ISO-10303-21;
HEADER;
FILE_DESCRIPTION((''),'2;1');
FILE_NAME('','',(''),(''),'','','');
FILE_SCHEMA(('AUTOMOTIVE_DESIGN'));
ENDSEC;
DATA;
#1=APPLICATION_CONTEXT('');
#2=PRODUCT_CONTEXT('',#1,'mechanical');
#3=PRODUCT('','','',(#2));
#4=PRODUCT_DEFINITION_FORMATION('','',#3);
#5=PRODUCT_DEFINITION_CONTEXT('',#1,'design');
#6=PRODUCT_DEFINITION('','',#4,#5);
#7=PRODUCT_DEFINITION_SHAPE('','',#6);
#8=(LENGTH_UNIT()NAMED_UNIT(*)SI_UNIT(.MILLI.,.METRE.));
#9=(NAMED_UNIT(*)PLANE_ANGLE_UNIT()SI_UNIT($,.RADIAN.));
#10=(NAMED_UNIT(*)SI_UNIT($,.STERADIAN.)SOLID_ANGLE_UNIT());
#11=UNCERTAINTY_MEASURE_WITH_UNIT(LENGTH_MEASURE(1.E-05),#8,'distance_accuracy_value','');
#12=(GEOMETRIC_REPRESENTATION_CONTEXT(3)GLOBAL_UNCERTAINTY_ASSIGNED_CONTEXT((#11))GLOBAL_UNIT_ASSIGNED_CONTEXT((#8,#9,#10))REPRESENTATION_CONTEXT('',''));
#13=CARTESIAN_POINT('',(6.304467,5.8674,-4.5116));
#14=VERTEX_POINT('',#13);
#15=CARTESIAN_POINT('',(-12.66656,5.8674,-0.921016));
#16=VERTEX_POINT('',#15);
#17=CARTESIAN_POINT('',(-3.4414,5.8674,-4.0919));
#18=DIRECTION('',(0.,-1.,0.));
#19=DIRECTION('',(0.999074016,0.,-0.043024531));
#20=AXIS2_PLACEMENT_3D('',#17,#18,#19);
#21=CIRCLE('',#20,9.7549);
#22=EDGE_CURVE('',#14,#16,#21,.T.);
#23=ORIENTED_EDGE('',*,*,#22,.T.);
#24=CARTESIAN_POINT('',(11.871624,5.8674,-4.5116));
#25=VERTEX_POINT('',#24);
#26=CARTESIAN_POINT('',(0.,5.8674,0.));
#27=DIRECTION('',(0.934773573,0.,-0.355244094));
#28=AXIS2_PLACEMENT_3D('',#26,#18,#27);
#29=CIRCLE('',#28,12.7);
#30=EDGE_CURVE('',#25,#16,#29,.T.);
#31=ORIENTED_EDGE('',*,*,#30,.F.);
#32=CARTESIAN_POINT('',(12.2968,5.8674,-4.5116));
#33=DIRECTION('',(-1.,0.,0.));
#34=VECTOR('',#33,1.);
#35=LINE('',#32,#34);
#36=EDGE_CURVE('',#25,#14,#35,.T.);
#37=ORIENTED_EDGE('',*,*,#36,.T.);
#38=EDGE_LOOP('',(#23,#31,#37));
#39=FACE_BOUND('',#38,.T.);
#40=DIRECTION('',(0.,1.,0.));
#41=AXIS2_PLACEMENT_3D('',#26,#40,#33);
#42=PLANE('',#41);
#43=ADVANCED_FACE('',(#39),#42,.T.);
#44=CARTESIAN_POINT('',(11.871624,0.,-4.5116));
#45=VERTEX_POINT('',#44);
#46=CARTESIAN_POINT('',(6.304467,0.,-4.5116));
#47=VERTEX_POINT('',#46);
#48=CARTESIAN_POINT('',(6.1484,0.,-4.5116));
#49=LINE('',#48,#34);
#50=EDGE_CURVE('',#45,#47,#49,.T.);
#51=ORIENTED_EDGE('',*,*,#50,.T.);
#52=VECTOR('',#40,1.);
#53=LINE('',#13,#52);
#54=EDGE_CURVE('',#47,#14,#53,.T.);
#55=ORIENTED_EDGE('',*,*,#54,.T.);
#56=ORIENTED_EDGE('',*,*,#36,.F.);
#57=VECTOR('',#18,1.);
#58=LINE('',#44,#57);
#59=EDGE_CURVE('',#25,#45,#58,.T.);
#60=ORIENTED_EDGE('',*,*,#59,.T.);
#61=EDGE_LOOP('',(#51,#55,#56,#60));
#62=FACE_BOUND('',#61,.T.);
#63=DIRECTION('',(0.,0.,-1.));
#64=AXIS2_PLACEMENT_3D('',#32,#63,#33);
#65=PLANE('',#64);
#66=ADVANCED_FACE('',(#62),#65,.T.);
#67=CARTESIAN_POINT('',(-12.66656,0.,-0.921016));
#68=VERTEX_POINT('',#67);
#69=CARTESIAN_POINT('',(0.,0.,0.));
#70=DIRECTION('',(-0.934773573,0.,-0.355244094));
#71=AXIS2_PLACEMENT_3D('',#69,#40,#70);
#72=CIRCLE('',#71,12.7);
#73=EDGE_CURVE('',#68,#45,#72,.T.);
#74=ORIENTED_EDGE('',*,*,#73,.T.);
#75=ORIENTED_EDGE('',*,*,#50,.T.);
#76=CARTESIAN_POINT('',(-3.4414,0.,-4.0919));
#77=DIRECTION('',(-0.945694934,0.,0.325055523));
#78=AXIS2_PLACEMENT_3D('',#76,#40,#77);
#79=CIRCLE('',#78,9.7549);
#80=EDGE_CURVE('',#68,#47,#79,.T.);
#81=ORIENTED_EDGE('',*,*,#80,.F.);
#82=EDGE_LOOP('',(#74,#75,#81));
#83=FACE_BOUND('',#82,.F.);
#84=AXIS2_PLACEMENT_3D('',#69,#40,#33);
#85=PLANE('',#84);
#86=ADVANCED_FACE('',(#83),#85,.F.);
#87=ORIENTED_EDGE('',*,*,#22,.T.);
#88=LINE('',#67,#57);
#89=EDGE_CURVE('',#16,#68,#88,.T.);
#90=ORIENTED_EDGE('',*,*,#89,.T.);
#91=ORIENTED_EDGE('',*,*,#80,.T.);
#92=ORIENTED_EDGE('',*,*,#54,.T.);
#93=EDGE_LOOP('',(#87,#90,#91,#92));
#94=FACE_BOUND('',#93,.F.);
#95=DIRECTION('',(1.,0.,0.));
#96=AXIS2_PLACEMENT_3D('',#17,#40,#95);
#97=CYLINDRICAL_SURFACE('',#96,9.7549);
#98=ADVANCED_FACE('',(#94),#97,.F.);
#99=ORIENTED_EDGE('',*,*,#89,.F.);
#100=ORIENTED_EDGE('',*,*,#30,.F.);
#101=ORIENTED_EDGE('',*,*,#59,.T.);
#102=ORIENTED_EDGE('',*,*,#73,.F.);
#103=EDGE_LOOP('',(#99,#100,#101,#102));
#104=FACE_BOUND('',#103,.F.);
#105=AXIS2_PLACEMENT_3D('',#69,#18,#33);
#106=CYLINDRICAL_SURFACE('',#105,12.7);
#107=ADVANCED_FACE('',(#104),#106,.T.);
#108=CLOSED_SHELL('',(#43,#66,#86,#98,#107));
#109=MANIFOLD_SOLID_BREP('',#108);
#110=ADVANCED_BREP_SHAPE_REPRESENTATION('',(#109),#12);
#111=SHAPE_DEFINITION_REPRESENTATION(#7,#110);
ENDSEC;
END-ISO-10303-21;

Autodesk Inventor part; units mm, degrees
ref_plane "YZ Plane" through (0, 0, 0) normal (1, 0, 0) x (0, 1, 0)
ref_plane "XZ Plane" through (0, 0, 0) normal (0, 1, 0) x (-1, 0, 0)
ref_plane "XY Plane" through (0, 0, 0) normal (0, 0, 1) x (1, 0, 0)
sketch "Sketch1" plane through (0, 0, 0) normal (0, 1, 0) x (-1, 0, 0)
  circle A0 centre (0, 0) radius 12.7
  dimension "d0" = 25.4
extrude "Extrusion1" add sketch "Sketch1" along normal blind 5.8674
sketch "Sketch2" plane through (0, 5.8674, 0) normal (0, 1, 0) x (1, 0, 0)
  line L0 (0, 0) -> (-7.7692, 0)
  line L1 (-7.7692, 0) -> (-7.7692, 6.975)
  line L2 (-7.7692, 6.975) -> (0, 6.975)
  line L3 (0, 6.975) -> (0, 0)
extrude "Extrusion2" cut sketch "Sketch2" against normal blind 254
sketch "Sketch3" plane through (0, 5.8674, 0) normal (0, 1, 0) x (1, 0, 0)
  line L0 (0, 6.018) -> (5.0945, 6.018)
  line L1 (5.0945, 6.018) -> (5.0945, 4.5769)
  line L2 (5.0945, 4.5769) -> (0, 4.5769)
  line L3 (0, 4.5769) -> (0, 6.018)
  point P0 (0, 0)
extrude "Extrusion3" cut sketch "Sketch3" against normal blind 254
sketch "Sketch4" plane through (0, 5.8674, 0) normal (0, 1, 0) x (1, 0, 0)
  circle A0 centre (-2.0297, 0) radius 3.9608
  point P0 (0, 0)
extrude "Extrusion4" cut sketch "Sketch4" against normal blind 254
sketch "Sketch5" plane through (0, 5.8674, 0) normal (0, 1, 0) x (1, 0, 0)
  line L0 (12.2968, 4.5116) -> (-14.5211, 4.5116)
  line L1 (-14.5211, 4.5116) -> (-14.5211, 13.7027)
  line L2 (-14.5211, 13.7027) -> (12.2968, 13.7027)
  line L3 (12.2968, 13.7027) -> (12.2968, 4.5116)
  point P0 (0, 0)
extrude "Extrusion5" cut sketch "Sketch5" against normal blind 254
sketch "Sketch6" plane through (0, 5.8674, 0) normal (0, 1, 0) x (1, 0, 0)
  circle A0 centre (-3.4414, 4.0919) radius 9.7549
  point P0 (0, 0)
extrude "Extrusion6" cut sketch "Sketch6" against normal blind 254
properties part number "top hook"
